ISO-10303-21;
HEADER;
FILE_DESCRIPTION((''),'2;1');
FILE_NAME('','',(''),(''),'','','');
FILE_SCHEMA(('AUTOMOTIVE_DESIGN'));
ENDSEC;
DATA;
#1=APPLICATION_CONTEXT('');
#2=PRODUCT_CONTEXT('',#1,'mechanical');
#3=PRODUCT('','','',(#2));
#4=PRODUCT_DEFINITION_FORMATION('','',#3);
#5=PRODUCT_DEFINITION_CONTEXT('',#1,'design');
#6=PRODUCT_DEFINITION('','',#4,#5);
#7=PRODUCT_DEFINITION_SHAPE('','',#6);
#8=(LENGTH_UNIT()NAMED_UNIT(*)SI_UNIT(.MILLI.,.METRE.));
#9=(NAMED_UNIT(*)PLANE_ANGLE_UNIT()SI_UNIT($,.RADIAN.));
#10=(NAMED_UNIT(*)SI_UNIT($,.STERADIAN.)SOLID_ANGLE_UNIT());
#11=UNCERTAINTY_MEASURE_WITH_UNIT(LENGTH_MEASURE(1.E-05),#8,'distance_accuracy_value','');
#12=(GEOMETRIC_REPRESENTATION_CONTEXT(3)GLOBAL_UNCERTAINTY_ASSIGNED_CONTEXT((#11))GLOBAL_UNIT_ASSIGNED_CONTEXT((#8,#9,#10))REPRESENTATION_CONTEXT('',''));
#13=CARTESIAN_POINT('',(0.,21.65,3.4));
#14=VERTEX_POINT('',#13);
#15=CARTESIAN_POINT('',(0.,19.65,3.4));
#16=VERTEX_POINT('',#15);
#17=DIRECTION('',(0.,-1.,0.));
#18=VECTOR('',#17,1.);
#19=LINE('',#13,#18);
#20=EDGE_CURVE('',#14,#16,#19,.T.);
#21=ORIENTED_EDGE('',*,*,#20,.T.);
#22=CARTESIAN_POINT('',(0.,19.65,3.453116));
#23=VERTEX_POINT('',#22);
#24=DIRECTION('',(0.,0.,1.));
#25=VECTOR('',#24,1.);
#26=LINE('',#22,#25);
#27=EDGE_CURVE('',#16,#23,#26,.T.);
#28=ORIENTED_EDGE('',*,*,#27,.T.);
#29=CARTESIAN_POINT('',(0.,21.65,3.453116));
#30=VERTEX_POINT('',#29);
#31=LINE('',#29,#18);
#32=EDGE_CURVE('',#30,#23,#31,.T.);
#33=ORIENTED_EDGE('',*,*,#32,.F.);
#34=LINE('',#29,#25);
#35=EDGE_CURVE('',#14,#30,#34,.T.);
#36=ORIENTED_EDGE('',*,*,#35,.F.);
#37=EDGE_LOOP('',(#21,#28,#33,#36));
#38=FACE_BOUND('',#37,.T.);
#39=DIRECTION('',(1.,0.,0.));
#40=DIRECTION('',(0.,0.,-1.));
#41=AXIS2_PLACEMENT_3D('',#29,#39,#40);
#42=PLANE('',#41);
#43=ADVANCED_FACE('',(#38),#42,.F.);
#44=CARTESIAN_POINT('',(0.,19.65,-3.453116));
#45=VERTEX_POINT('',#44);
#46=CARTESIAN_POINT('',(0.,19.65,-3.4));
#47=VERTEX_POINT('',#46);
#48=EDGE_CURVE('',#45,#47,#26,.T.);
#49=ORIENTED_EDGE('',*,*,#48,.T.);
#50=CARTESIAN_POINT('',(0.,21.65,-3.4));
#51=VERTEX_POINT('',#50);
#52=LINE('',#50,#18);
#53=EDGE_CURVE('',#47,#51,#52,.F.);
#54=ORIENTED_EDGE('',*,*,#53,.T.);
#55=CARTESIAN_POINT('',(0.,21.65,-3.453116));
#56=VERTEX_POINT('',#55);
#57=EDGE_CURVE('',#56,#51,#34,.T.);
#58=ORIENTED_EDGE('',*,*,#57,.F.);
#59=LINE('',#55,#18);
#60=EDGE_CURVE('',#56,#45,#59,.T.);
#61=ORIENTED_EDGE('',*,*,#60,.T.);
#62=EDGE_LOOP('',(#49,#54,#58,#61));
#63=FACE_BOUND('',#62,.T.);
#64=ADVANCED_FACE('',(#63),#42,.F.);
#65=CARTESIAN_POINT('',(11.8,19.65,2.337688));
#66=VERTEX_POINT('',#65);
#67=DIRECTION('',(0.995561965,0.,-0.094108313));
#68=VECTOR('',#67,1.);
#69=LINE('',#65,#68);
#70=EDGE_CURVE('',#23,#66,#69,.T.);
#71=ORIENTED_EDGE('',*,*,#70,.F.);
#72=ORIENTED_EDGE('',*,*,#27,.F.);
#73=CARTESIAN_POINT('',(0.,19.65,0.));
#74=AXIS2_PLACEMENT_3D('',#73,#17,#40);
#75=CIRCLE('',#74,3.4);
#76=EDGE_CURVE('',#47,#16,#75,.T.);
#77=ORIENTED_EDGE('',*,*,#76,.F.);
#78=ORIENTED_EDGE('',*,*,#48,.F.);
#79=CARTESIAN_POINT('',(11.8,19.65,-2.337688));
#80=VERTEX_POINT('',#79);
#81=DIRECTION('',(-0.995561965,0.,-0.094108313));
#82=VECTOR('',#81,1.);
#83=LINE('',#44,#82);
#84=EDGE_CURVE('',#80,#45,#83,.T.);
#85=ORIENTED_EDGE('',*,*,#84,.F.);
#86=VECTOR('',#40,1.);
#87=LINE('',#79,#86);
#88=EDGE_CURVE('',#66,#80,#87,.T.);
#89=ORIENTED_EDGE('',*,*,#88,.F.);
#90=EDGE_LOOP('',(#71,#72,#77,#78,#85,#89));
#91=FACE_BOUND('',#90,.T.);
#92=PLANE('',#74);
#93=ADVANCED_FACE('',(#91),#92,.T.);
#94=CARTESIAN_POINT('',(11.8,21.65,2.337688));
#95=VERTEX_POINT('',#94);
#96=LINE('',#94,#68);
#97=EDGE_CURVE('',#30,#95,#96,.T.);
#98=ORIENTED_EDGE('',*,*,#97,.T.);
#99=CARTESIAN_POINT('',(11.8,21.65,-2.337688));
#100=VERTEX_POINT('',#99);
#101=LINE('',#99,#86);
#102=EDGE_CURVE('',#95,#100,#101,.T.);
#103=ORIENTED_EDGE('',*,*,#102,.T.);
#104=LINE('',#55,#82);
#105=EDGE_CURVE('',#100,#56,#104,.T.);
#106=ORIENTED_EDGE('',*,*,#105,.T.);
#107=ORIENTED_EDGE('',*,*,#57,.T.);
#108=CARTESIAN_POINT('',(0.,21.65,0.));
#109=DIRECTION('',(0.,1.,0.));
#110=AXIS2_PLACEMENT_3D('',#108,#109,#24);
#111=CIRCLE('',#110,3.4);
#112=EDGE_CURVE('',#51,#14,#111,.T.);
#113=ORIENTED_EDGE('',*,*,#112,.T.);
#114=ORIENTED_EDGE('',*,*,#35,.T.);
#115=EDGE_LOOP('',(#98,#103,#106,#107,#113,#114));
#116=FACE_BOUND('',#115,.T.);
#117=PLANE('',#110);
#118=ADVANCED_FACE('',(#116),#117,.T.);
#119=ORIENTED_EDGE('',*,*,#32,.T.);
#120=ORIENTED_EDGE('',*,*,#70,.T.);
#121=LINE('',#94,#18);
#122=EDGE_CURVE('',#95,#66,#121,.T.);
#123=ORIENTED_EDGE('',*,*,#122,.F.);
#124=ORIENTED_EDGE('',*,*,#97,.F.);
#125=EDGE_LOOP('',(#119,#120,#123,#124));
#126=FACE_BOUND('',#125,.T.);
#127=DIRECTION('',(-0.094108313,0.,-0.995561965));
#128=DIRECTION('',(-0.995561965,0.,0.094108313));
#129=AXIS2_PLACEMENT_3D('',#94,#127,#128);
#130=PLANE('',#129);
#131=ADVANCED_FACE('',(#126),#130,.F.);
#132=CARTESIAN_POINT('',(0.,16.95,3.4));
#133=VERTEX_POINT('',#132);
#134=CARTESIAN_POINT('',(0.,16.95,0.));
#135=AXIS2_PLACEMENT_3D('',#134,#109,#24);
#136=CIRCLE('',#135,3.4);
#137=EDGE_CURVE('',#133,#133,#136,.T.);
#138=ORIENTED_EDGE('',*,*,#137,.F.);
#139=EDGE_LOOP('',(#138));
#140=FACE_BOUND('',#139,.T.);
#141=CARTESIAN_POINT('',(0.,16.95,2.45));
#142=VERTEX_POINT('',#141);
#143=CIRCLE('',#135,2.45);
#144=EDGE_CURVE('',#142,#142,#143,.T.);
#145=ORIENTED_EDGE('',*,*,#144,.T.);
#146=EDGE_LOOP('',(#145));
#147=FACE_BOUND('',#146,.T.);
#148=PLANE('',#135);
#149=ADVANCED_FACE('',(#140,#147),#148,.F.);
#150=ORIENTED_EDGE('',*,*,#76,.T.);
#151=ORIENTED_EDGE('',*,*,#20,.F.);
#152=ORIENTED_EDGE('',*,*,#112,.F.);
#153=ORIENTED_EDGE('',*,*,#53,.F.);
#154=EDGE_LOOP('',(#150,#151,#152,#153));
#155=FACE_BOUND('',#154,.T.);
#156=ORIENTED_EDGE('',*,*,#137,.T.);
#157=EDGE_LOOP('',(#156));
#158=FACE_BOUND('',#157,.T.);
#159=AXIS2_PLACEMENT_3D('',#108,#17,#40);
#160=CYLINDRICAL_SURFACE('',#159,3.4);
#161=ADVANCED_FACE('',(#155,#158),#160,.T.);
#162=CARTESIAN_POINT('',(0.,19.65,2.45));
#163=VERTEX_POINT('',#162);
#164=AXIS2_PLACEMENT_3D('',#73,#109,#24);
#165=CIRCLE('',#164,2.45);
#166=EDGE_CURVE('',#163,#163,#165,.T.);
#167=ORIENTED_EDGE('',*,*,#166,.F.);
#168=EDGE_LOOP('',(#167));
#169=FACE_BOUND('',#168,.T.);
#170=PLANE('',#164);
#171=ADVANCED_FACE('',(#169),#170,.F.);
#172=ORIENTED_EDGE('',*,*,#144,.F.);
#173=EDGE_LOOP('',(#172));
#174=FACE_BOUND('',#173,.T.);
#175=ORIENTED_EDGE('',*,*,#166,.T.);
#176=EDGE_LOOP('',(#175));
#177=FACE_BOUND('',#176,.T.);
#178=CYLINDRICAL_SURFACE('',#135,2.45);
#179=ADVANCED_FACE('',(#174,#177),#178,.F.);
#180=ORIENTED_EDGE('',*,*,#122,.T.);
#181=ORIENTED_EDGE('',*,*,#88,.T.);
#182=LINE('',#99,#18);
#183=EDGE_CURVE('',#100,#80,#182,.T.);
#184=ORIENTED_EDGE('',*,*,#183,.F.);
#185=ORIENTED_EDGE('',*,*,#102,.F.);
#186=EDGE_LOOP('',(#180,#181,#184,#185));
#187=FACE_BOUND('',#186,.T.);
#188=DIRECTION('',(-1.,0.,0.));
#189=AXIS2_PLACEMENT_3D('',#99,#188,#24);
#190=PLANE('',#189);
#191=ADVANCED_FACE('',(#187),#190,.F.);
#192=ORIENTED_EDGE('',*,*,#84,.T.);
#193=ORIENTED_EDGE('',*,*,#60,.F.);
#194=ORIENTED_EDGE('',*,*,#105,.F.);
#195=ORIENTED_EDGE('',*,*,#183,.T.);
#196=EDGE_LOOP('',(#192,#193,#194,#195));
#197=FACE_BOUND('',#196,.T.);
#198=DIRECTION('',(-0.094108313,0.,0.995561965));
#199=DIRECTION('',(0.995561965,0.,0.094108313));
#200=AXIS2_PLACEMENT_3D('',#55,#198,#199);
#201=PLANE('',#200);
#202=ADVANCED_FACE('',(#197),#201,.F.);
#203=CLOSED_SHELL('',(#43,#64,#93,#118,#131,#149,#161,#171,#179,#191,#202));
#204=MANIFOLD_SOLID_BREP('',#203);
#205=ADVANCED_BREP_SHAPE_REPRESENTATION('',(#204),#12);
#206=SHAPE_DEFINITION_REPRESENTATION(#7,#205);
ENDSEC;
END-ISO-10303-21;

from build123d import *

# Parameters (mm, degrees)
BOSS_EXTRUDE1_START = 19.3
SKETCH1_R           = 3.4
BOSS_EXTRUDE1_DEPTH = 2.35
BOSS_EXTRUDE2_START = 20.65
BOSS_EXTRUDE2_DEPTH = 1
CUT_EXTRUDE1_START  = 18.3
SKETCH3_R           = 2.45
CUT_EXTRUDE1_DEPTH  = 1.35


with BuildPart() as part:
    # Sketch1 → Boss-Extrude1 (new, symmetric)
    with BuildSketch(Plane(origin=(0, 0, 0), x_dir=(1, 0, 0), z_dir=(0, 1, 0)).offset(BOSS_EXTRUDE1_START)):
        with Locations(Location((0, 0, 0), (0, 0, 90))):
            Circle(SKETCH1_R)
    extrude(amount=BOSS_EXTRUDE1_DEPTH, both=True)

    # Sketch2 → Boss-Extrude2 (add, symmetric)
    with BuildSketch(Plane(origin=(0, 0, 0), x_dir=(1, 0, 0), z_dir=(0, 1, 0)).offset(BOSS_EXTRUDE2_START)):
        Polygon((0, 3.453116188), (11.8, 2.337687781), (11.8, -2.337687781), (0, -3.453116188), align=None)
    extrude(amount=BOSS_EXTRUDE2_DEPTH, both=True)

    # Sketch3 → Cut-Extrude1 (cut, symmetric)
    with BuildSketch(Plane(origin=(0, 0, 0), x_dir=(1, 0, 0), z_dir=(0, 1, 0)).offset(CUT_EXTRUDE1_START)):
        with Locations(Location((0, 0, 0), (0, 0, 270))):
            Circle(SKETCH3_R)
    extrude(amount=CUT_EXTRUDE1_DEPTH, both=True, mode=Mode.SUBTRACT)


solid = part.part
